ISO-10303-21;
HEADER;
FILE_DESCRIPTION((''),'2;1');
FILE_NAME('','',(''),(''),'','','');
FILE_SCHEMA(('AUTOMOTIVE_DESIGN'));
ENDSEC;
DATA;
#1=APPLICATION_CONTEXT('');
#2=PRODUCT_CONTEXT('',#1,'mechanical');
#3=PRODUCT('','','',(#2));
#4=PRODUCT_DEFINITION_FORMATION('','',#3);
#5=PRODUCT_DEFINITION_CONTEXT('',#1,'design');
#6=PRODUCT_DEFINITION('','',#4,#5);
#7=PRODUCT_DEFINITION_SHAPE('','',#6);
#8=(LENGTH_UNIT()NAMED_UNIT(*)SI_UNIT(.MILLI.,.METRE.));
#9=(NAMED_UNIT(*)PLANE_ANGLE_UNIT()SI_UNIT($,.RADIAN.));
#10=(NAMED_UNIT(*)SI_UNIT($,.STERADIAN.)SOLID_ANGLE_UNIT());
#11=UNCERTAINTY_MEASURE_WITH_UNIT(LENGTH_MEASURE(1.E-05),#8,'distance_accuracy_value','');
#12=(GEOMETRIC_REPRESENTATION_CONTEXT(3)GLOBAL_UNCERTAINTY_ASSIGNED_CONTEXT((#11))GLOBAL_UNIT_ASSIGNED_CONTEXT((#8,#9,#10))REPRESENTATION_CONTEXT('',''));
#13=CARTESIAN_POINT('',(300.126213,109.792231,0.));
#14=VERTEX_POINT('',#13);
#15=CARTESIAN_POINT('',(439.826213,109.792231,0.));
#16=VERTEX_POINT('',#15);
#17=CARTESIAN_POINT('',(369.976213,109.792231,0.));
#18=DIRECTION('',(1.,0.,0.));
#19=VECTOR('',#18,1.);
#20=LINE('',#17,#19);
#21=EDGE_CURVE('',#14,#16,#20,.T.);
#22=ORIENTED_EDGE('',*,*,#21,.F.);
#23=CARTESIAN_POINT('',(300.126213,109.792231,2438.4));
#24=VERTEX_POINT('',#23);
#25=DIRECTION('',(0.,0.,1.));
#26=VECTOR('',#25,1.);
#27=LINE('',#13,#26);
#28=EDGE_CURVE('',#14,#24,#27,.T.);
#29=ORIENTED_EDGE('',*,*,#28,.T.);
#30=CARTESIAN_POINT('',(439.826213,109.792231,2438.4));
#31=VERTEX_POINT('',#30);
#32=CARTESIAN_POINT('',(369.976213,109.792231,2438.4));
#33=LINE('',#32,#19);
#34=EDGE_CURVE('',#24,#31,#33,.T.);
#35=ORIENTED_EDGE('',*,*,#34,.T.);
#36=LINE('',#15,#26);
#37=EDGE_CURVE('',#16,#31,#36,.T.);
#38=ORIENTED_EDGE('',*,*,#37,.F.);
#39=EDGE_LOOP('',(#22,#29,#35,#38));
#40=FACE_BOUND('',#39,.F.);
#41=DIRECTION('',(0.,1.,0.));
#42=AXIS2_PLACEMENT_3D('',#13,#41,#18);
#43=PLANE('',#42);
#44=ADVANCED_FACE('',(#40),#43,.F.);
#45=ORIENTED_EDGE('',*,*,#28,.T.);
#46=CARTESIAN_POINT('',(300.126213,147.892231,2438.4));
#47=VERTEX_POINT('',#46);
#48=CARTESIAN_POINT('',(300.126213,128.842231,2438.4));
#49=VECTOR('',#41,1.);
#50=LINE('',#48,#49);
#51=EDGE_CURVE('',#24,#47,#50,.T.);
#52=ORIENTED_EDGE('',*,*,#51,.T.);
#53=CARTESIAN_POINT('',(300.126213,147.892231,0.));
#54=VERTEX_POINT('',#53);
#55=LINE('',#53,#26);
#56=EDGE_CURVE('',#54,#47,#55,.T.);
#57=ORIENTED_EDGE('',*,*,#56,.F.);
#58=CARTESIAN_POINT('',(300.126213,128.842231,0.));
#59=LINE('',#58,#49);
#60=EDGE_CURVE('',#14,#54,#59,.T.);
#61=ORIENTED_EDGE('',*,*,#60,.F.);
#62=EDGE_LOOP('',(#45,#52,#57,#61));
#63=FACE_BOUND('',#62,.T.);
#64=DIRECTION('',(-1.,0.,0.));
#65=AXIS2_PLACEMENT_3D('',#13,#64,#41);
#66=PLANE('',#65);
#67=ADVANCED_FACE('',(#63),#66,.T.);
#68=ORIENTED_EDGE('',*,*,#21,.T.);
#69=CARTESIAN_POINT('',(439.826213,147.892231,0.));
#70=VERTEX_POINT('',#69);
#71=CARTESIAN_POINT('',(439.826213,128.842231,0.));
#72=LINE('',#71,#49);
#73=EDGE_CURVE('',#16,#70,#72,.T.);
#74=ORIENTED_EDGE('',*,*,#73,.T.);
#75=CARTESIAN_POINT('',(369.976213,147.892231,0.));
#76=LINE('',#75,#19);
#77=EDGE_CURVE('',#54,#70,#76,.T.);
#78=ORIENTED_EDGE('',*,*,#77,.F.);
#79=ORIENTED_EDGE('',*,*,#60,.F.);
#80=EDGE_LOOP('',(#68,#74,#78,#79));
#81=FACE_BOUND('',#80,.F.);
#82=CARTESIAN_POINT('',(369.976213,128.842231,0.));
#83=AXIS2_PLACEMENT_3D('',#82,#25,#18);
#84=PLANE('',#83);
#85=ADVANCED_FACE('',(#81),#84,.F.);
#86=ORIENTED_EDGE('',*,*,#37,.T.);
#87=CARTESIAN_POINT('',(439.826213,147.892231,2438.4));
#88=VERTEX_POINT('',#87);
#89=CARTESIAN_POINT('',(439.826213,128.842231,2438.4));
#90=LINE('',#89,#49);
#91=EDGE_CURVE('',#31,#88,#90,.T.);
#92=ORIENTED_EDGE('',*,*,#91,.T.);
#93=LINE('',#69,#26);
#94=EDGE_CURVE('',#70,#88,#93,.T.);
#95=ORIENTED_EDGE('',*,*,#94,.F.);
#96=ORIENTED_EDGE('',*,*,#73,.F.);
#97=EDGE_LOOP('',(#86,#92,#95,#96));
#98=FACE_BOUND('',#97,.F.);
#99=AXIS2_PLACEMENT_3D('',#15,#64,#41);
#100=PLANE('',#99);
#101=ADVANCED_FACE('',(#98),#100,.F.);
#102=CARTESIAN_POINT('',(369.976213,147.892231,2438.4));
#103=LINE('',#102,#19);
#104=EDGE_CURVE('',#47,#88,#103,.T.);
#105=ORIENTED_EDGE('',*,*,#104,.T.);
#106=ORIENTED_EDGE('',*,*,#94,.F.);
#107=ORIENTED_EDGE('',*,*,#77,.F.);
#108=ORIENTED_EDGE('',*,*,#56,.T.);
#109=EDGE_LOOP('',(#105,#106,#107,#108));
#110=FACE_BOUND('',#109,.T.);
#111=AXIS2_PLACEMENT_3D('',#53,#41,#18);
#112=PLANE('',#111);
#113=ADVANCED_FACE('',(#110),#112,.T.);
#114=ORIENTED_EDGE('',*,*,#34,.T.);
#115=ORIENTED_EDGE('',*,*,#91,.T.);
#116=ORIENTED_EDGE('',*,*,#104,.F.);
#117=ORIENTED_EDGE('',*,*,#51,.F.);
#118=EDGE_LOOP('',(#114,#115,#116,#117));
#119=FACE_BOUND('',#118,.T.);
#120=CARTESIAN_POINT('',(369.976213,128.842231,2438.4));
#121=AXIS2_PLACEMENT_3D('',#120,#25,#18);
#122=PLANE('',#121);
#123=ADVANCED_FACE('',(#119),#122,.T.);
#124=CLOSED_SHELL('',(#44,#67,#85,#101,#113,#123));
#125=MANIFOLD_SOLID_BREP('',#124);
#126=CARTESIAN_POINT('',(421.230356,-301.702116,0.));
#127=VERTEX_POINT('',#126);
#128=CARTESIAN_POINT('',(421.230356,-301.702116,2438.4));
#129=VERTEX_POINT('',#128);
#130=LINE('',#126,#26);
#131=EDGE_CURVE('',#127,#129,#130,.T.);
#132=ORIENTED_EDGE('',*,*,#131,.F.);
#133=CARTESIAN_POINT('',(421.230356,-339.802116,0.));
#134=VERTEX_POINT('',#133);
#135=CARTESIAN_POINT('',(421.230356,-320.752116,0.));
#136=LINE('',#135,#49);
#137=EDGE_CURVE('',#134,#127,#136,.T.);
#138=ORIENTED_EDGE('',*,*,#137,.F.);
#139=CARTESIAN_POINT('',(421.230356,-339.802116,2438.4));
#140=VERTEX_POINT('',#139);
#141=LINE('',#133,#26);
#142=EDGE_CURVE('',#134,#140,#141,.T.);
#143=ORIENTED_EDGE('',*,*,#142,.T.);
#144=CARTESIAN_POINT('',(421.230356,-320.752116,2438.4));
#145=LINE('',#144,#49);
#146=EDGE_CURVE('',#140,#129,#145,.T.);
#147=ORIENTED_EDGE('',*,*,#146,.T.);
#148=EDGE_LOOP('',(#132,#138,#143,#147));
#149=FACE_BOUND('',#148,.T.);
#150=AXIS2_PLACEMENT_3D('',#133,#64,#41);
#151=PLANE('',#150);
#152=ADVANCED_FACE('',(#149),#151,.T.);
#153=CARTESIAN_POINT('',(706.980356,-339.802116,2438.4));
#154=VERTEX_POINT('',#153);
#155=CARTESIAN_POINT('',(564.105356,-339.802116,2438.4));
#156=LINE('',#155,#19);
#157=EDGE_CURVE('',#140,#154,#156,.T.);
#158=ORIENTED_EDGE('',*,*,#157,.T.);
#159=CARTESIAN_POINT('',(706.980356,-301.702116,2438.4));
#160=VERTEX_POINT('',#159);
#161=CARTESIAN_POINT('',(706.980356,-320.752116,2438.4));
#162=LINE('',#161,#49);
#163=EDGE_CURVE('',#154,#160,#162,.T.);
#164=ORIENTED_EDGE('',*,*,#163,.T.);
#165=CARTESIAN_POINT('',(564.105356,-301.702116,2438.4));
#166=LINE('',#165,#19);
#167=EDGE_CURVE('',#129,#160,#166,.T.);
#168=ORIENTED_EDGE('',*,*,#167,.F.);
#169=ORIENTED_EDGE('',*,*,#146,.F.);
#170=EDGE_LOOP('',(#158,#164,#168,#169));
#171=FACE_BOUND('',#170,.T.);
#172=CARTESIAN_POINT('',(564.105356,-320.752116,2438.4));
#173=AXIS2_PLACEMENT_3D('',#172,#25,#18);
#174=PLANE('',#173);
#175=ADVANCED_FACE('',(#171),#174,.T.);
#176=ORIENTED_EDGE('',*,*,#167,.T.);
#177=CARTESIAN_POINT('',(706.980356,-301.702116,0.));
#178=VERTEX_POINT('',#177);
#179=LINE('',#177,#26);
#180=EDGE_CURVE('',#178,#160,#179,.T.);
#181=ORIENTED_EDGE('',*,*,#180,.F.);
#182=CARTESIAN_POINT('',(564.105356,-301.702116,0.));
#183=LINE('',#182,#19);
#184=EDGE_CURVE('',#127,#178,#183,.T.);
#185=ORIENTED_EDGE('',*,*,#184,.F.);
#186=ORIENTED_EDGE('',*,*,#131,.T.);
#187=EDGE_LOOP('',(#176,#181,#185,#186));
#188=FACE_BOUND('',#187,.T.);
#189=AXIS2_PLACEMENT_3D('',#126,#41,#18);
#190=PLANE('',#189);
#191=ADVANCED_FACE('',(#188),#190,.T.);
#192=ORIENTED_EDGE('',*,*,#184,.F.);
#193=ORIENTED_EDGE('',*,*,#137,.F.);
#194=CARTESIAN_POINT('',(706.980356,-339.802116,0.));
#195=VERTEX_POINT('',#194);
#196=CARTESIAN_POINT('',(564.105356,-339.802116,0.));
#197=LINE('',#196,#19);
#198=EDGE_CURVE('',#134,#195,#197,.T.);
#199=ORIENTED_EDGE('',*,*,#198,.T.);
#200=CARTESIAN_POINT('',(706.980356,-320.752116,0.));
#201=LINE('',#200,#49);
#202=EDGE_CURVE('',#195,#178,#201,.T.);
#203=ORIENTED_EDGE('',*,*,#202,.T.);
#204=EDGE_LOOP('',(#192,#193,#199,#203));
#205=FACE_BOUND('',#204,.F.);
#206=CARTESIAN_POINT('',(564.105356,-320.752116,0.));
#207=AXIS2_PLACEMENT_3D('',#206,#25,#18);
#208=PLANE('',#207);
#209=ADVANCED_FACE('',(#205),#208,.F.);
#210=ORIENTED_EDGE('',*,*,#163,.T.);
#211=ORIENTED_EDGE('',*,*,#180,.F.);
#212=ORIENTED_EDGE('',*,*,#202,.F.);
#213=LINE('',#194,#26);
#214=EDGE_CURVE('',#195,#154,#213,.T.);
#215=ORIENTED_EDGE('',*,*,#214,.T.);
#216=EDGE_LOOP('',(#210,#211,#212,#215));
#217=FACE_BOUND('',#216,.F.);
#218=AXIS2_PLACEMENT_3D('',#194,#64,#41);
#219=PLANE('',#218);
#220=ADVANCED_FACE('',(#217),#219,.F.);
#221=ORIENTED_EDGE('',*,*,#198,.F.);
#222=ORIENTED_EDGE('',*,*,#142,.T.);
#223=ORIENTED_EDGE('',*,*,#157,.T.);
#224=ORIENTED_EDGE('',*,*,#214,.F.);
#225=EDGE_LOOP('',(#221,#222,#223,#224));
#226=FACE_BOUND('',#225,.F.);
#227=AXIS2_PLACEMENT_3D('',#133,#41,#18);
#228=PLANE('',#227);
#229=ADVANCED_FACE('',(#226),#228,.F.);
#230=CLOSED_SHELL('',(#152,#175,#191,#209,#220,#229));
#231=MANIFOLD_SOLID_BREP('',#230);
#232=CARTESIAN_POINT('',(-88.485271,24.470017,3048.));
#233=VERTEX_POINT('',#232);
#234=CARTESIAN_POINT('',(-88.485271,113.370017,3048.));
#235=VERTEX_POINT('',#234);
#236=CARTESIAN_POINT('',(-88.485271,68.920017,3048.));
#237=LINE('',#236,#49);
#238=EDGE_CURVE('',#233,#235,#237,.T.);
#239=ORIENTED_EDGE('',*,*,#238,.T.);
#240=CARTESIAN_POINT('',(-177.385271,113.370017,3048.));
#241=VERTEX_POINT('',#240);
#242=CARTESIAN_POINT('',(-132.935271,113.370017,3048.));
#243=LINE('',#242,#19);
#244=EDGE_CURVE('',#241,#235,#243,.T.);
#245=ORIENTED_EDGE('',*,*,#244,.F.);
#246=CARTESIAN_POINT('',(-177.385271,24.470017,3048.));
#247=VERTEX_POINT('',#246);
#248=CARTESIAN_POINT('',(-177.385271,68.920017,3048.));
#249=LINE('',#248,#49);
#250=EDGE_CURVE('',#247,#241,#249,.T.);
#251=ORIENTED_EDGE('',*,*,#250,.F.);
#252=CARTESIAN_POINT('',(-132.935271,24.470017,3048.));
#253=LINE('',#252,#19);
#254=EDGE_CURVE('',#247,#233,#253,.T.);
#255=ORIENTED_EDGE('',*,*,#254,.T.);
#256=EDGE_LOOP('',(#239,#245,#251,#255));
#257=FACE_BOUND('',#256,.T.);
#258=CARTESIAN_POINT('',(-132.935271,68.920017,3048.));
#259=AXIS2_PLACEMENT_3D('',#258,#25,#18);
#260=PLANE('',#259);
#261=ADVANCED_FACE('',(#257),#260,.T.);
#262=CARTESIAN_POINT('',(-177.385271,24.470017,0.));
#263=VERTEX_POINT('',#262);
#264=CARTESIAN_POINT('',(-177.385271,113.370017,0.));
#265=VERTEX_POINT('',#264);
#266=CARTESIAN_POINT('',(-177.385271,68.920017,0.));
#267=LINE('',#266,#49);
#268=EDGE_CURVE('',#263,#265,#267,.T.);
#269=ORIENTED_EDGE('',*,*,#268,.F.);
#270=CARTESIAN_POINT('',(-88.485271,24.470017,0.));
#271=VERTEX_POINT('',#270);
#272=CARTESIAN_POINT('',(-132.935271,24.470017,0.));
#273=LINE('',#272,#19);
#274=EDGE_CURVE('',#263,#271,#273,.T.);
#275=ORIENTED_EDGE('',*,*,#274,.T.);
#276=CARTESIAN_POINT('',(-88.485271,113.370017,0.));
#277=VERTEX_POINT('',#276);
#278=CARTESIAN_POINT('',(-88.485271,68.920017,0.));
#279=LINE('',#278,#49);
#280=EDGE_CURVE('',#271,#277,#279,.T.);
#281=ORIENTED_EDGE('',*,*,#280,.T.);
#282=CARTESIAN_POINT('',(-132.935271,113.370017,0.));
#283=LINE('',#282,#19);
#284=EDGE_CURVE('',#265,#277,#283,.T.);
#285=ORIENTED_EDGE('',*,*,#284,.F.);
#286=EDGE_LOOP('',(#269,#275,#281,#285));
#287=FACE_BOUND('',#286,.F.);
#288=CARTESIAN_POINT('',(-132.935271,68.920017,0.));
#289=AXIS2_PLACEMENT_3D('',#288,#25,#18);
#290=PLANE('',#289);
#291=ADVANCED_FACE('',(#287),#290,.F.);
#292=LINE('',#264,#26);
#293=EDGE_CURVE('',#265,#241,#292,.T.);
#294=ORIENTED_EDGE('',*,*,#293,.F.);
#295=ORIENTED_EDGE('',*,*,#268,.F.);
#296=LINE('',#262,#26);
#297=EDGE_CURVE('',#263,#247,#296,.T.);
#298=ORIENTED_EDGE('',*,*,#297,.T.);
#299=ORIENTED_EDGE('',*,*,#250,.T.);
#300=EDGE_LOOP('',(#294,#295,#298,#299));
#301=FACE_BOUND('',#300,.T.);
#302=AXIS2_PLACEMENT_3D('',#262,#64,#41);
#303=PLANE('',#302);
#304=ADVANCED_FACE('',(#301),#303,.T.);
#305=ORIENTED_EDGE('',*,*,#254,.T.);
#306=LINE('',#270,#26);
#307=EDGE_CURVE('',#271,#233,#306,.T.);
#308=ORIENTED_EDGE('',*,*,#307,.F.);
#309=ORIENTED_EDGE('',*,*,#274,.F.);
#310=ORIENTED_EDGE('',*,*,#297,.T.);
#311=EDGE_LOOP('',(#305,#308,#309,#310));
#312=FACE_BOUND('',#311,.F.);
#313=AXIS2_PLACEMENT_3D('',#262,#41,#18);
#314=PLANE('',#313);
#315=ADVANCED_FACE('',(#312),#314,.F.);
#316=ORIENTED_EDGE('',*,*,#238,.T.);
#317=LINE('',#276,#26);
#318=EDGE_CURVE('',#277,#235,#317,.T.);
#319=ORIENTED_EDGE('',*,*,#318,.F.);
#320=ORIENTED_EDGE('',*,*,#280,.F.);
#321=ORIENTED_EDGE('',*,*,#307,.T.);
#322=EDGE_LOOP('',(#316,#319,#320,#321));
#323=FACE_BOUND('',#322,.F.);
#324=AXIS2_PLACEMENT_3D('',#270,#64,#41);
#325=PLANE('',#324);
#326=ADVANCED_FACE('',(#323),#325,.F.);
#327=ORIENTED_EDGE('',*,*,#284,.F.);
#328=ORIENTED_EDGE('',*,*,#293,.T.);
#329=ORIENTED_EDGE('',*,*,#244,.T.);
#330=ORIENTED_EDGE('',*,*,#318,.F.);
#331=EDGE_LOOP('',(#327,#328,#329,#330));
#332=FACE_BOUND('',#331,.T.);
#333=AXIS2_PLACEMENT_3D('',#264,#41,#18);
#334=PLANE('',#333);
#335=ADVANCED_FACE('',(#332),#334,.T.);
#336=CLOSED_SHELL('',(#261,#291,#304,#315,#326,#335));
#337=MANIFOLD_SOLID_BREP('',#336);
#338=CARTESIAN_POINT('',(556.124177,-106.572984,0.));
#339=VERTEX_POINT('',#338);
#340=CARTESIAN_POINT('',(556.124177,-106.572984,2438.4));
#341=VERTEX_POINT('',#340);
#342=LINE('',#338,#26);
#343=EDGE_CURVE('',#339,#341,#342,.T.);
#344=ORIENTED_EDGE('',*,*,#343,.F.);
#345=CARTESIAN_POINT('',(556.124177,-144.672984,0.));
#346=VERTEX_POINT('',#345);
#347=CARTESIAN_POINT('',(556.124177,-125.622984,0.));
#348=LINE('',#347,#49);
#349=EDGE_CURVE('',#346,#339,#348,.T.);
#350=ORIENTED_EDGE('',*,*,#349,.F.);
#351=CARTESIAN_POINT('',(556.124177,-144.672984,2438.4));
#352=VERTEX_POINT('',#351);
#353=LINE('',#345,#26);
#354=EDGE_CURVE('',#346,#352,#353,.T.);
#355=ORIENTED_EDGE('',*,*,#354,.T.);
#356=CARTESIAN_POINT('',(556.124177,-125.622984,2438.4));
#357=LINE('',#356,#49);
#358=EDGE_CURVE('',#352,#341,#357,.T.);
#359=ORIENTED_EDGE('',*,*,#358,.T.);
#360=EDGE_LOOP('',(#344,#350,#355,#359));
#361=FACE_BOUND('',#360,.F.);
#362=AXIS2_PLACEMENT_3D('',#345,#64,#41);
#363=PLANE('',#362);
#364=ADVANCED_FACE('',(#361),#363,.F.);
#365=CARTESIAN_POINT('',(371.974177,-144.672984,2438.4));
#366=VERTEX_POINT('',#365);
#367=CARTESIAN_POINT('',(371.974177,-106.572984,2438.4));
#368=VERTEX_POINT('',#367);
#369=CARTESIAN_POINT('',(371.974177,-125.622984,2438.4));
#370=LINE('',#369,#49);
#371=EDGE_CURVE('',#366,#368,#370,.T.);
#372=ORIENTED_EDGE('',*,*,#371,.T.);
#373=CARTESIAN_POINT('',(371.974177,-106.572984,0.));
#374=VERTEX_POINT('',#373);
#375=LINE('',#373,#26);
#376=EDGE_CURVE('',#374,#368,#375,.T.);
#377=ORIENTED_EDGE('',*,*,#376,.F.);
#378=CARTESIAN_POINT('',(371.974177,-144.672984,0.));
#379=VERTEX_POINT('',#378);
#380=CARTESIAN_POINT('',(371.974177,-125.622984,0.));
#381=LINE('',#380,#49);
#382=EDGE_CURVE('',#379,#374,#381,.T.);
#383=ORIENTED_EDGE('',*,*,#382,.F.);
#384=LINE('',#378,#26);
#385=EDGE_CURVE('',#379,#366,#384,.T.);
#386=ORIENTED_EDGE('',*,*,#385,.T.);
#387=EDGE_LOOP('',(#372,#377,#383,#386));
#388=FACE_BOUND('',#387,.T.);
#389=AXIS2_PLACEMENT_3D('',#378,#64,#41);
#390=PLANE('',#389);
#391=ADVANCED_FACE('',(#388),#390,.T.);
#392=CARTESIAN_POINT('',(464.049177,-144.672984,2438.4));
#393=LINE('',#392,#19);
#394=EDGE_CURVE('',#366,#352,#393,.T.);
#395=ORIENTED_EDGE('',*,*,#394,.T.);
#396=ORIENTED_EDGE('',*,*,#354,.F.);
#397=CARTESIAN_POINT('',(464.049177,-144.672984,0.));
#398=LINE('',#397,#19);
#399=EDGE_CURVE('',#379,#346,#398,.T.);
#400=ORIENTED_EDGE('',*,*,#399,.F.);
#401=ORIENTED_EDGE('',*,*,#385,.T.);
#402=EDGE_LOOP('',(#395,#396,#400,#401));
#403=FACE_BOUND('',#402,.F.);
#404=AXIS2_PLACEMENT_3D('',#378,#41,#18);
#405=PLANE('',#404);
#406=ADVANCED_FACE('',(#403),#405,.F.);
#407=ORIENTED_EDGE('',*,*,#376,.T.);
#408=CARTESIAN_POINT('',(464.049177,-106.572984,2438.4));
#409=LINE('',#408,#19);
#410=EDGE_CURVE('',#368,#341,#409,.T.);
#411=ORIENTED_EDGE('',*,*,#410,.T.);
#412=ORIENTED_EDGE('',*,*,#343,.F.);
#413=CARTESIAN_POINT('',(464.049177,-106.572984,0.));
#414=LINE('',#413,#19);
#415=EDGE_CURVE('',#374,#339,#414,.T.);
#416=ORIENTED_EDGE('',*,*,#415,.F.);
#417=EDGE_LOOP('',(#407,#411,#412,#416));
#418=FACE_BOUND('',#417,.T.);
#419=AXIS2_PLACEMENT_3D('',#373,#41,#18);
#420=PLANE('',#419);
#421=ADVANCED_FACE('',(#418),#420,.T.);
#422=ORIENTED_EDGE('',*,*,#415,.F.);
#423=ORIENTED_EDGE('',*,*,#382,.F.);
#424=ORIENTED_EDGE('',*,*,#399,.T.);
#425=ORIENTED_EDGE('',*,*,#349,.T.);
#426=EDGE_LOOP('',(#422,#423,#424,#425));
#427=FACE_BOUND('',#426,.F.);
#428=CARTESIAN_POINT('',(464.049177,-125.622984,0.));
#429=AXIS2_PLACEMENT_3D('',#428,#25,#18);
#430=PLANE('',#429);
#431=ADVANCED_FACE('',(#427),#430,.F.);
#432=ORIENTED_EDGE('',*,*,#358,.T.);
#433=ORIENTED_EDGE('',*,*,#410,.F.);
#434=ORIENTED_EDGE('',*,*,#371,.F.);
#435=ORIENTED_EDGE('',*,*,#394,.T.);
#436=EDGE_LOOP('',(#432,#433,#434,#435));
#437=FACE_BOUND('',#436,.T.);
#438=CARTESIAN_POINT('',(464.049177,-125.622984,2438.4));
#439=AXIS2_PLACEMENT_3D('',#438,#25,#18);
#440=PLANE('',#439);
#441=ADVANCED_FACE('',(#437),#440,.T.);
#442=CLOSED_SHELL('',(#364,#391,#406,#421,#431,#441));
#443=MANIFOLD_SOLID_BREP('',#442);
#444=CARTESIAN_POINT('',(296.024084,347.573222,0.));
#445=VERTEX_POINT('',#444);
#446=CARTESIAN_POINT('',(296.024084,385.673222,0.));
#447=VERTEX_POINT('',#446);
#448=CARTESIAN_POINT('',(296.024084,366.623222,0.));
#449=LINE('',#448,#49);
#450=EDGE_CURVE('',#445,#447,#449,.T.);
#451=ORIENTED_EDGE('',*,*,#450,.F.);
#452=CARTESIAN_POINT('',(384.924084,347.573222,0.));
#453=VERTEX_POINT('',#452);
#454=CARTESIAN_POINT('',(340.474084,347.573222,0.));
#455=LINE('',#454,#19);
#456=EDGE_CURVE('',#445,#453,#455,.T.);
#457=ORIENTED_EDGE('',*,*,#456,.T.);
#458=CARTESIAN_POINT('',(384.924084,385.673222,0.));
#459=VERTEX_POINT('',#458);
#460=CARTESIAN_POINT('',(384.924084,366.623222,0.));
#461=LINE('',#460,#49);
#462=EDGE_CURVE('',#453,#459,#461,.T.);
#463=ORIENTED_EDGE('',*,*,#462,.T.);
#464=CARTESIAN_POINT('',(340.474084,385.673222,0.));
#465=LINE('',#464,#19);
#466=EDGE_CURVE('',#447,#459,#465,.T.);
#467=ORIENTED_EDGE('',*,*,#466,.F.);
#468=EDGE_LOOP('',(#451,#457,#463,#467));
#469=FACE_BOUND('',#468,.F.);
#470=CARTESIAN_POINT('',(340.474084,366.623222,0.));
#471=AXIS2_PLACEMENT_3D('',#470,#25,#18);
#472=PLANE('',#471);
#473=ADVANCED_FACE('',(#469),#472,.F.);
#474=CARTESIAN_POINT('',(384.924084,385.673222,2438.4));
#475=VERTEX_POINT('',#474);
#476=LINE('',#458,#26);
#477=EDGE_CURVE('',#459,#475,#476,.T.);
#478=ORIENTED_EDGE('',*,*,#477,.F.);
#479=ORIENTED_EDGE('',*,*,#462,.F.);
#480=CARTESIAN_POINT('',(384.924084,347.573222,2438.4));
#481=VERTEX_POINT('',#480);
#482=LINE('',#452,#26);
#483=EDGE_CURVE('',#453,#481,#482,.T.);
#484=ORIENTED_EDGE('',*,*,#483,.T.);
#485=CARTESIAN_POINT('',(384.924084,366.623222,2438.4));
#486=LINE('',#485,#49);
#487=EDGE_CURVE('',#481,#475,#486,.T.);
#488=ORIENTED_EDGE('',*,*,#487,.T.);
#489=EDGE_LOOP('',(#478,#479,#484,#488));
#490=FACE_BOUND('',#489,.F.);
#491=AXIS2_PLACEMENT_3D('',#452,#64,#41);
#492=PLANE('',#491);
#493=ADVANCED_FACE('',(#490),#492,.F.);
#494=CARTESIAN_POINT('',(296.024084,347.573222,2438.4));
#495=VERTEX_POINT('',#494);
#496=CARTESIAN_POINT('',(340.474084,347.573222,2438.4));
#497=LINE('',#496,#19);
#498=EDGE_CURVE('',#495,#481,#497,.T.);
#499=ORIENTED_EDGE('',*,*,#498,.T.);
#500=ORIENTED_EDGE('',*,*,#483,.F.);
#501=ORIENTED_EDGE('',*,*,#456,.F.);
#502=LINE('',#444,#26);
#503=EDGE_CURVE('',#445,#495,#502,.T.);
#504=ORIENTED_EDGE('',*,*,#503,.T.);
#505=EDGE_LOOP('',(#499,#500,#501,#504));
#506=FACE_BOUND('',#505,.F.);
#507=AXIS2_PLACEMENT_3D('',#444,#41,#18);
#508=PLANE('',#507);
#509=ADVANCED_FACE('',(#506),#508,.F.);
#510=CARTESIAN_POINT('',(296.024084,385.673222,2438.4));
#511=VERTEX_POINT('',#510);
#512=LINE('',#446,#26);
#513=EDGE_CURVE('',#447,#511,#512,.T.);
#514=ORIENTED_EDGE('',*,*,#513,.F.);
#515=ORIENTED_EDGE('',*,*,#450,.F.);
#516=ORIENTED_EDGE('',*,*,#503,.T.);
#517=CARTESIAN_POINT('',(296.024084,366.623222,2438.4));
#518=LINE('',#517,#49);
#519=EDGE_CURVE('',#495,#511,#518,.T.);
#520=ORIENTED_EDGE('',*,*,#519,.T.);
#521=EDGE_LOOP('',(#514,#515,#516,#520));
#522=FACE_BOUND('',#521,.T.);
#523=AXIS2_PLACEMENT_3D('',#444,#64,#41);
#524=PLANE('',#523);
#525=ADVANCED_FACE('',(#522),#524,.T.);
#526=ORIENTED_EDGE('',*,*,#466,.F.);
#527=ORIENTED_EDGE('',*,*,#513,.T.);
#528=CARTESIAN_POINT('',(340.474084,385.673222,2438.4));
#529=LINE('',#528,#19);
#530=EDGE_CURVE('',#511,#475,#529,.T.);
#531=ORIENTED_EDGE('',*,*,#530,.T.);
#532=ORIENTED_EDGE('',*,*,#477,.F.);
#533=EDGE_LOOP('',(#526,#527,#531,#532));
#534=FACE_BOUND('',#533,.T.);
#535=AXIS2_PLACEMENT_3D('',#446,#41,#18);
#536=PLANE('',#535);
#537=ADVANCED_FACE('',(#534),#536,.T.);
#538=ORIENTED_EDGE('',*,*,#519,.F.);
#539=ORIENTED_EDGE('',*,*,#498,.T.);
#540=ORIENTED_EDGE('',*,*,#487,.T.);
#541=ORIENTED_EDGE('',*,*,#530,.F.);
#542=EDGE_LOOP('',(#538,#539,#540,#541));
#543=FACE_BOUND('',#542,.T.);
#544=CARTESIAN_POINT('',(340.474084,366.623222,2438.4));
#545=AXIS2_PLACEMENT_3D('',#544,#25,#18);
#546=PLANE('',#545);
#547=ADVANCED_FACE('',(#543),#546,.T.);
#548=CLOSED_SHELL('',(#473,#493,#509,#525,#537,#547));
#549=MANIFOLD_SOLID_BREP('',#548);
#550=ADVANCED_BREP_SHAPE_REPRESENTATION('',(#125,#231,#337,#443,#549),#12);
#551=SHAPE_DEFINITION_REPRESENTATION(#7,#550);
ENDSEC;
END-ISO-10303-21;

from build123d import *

# Parameters (mm, degrees)
F0_W     = 88.9
F0_H     = 88.9
F1_DEPTH = 3048
F2_W     = 88.9
F2_H     = 38.1
F3_DEPTH = 2438.4
F4_W     = 139.7
F4_H     = 38.1
F5_DEPTH = 2438.4
F6_W     = 184.15
F6_H     = 38.1
F7_DEPTH = 2438.4
F8_W     = 285.75
F8_H     = 38.1
F9_DEPTH = 2438.4


with BuildPart() as f1:
    # F0 (on Top) → F1 (new body)
    with BuildSketch(Plane.XY):
        with Locations((-132.935271, 68.920017)):
            Rectangle(F0_W, F0_H)
    extrude(amount=F1_DEPTH)


with BuildPart() as f3:
    # F2 (on Top) → F3 (new body)
    with BuildSketch(Plane.XY):
        with Locations((340.474084, 366.623222)):
            Rectangle(F2_W, F2_H)
    extrude(amount=F3_DEPTH)


with BuildPart() as f5:
    # F4 (on Top) → F5 (new body)
    with BuildSketch(Plane.XY):
        with Locations((369.976213, 128.842231)):
            Rectangle(F4_W, F4_H)
    extrude(amount=F5_DEPTH)


with BuildPart() as f7:
    # F6 (on Top) → F7 (new body)
    with BuildSketch(Plane.XY):
        with Locations((464.049177, -125.622984)):
            Rectangle(F6_W, F6_H)
    extrude(amount=F7_DEPTH)


with BuildPart() as f9:
    # F8 (on Top) → F9 (new body)
    with BuildSketch(Plane.XY):
        with Locations((564.105356, -320.752116)):
            Rectangle(F8_W, F8_H)
    extrude(amount=F9_DEPTH)


solid = Compound([f1.part, f3.part, f5.part, f7.part, f9.part])
